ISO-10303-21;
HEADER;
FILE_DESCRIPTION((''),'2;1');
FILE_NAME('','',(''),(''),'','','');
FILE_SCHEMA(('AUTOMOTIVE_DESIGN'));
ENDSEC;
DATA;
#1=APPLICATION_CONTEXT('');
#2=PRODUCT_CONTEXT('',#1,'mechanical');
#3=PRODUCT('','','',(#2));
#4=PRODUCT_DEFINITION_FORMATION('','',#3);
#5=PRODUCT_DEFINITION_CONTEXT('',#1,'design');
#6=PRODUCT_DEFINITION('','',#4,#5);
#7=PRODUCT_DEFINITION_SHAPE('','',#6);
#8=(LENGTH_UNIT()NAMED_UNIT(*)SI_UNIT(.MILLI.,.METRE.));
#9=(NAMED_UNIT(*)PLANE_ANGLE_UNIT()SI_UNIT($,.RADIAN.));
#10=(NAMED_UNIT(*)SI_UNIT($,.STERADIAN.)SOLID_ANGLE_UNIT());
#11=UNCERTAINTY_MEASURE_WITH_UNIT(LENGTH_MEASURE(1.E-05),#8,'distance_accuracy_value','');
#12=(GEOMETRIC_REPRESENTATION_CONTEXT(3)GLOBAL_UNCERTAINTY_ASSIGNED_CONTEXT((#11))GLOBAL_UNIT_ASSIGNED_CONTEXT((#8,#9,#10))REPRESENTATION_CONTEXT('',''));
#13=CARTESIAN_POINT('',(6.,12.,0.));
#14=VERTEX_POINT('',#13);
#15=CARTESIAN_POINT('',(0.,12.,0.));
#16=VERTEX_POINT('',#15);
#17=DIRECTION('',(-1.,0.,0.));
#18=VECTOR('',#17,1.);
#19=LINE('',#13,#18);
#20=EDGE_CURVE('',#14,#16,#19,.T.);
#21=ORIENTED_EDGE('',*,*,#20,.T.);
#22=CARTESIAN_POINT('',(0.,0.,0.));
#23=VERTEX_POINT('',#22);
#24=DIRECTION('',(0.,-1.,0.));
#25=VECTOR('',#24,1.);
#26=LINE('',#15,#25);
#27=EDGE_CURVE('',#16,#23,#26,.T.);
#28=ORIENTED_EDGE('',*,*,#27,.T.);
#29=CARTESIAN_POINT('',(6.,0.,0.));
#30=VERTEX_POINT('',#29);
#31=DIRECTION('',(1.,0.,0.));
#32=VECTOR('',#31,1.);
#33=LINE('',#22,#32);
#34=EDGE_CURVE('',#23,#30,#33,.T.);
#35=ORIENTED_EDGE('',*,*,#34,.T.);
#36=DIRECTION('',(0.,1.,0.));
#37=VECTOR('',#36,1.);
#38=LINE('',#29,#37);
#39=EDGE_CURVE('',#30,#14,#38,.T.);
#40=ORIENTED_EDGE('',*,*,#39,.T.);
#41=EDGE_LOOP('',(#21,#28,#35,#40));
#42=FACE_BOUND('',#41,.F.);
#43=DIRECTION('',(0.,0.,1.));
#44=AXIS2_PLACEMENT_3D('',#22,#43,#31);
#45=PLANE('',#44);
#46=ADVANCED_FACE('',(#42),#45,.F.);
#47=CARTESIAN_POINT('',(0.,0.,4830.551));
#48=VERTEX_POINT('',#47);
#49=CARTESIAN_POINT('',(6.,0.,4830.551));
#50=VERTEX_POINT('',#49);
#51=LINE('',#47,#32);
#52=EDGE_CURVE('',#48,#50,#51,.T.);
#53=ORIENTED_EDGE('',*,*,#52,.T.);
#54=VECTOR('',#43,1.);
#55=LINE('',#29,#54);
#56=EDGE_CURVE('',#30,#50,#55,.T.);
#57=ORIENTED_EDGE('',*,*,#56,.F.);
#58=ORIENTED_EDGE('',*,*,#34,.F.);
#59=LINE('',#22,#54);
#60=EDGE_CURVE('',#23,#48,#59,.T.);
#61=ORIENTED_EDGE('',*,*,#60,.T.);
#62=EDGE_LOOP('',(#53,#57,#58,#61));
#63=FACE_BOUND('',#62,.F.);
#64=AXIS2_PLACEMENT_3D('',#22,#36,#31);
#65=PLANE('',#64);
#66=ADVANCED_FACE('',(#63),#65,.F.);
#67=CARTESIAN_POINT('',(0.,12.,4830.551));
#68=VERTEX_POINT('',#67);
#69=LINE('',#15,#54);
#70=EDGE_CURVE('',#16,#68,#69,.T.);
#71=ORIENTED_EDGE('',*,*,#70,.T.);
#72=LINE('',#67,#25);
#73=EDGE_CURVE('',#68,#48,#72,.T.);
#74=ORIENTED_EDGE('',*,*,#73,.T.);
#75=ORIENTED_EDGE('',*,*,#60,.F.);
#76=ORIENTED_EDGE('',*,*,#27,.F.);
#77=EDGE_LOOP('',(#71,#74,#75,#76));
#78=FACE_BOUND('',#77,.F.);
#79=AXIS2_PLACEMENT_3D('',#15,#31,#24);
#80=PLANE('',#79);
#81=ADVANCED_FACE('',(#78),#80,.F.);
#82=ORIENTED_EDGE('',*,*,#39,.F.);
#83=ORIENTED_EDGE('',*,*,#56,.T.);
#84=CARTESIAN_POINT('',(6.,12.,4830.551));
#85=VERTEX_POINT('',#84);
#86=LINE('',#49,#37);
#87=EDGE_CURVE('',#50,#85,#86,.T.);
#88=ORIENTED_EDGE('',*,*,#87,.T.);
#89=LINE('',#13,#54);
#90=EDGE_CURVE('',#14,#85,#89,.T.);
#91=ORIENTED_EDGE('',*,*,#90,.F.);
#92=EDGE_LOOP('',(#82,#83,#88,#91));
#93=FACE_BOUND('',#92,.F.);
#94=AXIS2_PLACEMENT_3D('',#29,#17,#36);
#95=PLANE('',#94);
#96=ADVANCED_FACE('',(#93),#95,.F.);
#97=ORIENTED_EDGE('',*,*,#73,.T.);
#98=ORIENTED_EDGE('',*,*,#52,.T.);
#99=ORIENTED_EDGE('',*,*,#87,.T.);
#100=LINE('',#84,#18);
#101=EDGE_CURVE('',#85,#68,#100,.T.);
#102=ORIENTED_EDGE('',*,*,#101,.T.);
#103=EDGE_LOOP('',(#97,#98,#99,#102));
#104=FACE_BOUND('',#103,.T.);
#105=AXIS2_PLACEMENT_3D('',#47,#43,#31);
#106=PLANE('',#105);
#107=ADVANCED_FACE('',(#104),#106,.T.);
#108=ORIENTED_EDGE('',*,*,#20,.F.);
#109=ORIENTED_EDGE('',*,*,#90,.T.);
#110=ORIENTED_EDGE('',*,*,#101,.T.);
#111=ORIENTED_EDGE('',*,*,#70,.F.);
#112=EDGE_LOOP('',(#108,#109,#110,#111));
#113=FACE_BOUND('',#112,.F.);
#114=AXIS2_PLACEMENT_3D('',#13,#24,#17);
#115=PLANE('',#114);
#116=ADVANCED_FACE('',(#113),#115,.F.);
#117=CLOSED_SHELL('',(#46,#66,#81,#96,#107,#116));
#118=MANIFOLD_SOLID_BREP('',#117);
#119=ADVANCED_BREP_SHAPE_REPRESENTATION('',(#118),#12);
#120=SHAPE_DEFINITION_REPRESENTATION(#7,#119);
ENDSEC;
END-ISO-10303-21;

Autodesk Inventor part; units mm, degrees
ref_plane "YZ Plane" through (0, 0, 0) normal (1, 0, 0) x (0, 1, 0)
ref_plane "XZ Plane" through (0, 0, 0) normal (0, 1, 0) x (-1, 0, 0)
ref_plane "XY Plane" through (0, 0, 0) normal (0, 0, 1) x (1, 0, 0)
sketch "Sketch1" plane through (0, 0, 0) normal (0, 0, 1) x (1, 0, 0)
  line L0 (0, 0) -> (6, 0)
  line L1 (6, 0) -> (6, 12)
  line L2 (6, 12) -> (0, 12)
  line L3 (0, 12) -> (0, 0)
  dimension "d0" = 6
  dimension "d1" = 12
extrude "Extrusion1" add sketch "Sketch1" along normal blind 4830.551
properties part number "led-liste" material "Wood (Birch)"
